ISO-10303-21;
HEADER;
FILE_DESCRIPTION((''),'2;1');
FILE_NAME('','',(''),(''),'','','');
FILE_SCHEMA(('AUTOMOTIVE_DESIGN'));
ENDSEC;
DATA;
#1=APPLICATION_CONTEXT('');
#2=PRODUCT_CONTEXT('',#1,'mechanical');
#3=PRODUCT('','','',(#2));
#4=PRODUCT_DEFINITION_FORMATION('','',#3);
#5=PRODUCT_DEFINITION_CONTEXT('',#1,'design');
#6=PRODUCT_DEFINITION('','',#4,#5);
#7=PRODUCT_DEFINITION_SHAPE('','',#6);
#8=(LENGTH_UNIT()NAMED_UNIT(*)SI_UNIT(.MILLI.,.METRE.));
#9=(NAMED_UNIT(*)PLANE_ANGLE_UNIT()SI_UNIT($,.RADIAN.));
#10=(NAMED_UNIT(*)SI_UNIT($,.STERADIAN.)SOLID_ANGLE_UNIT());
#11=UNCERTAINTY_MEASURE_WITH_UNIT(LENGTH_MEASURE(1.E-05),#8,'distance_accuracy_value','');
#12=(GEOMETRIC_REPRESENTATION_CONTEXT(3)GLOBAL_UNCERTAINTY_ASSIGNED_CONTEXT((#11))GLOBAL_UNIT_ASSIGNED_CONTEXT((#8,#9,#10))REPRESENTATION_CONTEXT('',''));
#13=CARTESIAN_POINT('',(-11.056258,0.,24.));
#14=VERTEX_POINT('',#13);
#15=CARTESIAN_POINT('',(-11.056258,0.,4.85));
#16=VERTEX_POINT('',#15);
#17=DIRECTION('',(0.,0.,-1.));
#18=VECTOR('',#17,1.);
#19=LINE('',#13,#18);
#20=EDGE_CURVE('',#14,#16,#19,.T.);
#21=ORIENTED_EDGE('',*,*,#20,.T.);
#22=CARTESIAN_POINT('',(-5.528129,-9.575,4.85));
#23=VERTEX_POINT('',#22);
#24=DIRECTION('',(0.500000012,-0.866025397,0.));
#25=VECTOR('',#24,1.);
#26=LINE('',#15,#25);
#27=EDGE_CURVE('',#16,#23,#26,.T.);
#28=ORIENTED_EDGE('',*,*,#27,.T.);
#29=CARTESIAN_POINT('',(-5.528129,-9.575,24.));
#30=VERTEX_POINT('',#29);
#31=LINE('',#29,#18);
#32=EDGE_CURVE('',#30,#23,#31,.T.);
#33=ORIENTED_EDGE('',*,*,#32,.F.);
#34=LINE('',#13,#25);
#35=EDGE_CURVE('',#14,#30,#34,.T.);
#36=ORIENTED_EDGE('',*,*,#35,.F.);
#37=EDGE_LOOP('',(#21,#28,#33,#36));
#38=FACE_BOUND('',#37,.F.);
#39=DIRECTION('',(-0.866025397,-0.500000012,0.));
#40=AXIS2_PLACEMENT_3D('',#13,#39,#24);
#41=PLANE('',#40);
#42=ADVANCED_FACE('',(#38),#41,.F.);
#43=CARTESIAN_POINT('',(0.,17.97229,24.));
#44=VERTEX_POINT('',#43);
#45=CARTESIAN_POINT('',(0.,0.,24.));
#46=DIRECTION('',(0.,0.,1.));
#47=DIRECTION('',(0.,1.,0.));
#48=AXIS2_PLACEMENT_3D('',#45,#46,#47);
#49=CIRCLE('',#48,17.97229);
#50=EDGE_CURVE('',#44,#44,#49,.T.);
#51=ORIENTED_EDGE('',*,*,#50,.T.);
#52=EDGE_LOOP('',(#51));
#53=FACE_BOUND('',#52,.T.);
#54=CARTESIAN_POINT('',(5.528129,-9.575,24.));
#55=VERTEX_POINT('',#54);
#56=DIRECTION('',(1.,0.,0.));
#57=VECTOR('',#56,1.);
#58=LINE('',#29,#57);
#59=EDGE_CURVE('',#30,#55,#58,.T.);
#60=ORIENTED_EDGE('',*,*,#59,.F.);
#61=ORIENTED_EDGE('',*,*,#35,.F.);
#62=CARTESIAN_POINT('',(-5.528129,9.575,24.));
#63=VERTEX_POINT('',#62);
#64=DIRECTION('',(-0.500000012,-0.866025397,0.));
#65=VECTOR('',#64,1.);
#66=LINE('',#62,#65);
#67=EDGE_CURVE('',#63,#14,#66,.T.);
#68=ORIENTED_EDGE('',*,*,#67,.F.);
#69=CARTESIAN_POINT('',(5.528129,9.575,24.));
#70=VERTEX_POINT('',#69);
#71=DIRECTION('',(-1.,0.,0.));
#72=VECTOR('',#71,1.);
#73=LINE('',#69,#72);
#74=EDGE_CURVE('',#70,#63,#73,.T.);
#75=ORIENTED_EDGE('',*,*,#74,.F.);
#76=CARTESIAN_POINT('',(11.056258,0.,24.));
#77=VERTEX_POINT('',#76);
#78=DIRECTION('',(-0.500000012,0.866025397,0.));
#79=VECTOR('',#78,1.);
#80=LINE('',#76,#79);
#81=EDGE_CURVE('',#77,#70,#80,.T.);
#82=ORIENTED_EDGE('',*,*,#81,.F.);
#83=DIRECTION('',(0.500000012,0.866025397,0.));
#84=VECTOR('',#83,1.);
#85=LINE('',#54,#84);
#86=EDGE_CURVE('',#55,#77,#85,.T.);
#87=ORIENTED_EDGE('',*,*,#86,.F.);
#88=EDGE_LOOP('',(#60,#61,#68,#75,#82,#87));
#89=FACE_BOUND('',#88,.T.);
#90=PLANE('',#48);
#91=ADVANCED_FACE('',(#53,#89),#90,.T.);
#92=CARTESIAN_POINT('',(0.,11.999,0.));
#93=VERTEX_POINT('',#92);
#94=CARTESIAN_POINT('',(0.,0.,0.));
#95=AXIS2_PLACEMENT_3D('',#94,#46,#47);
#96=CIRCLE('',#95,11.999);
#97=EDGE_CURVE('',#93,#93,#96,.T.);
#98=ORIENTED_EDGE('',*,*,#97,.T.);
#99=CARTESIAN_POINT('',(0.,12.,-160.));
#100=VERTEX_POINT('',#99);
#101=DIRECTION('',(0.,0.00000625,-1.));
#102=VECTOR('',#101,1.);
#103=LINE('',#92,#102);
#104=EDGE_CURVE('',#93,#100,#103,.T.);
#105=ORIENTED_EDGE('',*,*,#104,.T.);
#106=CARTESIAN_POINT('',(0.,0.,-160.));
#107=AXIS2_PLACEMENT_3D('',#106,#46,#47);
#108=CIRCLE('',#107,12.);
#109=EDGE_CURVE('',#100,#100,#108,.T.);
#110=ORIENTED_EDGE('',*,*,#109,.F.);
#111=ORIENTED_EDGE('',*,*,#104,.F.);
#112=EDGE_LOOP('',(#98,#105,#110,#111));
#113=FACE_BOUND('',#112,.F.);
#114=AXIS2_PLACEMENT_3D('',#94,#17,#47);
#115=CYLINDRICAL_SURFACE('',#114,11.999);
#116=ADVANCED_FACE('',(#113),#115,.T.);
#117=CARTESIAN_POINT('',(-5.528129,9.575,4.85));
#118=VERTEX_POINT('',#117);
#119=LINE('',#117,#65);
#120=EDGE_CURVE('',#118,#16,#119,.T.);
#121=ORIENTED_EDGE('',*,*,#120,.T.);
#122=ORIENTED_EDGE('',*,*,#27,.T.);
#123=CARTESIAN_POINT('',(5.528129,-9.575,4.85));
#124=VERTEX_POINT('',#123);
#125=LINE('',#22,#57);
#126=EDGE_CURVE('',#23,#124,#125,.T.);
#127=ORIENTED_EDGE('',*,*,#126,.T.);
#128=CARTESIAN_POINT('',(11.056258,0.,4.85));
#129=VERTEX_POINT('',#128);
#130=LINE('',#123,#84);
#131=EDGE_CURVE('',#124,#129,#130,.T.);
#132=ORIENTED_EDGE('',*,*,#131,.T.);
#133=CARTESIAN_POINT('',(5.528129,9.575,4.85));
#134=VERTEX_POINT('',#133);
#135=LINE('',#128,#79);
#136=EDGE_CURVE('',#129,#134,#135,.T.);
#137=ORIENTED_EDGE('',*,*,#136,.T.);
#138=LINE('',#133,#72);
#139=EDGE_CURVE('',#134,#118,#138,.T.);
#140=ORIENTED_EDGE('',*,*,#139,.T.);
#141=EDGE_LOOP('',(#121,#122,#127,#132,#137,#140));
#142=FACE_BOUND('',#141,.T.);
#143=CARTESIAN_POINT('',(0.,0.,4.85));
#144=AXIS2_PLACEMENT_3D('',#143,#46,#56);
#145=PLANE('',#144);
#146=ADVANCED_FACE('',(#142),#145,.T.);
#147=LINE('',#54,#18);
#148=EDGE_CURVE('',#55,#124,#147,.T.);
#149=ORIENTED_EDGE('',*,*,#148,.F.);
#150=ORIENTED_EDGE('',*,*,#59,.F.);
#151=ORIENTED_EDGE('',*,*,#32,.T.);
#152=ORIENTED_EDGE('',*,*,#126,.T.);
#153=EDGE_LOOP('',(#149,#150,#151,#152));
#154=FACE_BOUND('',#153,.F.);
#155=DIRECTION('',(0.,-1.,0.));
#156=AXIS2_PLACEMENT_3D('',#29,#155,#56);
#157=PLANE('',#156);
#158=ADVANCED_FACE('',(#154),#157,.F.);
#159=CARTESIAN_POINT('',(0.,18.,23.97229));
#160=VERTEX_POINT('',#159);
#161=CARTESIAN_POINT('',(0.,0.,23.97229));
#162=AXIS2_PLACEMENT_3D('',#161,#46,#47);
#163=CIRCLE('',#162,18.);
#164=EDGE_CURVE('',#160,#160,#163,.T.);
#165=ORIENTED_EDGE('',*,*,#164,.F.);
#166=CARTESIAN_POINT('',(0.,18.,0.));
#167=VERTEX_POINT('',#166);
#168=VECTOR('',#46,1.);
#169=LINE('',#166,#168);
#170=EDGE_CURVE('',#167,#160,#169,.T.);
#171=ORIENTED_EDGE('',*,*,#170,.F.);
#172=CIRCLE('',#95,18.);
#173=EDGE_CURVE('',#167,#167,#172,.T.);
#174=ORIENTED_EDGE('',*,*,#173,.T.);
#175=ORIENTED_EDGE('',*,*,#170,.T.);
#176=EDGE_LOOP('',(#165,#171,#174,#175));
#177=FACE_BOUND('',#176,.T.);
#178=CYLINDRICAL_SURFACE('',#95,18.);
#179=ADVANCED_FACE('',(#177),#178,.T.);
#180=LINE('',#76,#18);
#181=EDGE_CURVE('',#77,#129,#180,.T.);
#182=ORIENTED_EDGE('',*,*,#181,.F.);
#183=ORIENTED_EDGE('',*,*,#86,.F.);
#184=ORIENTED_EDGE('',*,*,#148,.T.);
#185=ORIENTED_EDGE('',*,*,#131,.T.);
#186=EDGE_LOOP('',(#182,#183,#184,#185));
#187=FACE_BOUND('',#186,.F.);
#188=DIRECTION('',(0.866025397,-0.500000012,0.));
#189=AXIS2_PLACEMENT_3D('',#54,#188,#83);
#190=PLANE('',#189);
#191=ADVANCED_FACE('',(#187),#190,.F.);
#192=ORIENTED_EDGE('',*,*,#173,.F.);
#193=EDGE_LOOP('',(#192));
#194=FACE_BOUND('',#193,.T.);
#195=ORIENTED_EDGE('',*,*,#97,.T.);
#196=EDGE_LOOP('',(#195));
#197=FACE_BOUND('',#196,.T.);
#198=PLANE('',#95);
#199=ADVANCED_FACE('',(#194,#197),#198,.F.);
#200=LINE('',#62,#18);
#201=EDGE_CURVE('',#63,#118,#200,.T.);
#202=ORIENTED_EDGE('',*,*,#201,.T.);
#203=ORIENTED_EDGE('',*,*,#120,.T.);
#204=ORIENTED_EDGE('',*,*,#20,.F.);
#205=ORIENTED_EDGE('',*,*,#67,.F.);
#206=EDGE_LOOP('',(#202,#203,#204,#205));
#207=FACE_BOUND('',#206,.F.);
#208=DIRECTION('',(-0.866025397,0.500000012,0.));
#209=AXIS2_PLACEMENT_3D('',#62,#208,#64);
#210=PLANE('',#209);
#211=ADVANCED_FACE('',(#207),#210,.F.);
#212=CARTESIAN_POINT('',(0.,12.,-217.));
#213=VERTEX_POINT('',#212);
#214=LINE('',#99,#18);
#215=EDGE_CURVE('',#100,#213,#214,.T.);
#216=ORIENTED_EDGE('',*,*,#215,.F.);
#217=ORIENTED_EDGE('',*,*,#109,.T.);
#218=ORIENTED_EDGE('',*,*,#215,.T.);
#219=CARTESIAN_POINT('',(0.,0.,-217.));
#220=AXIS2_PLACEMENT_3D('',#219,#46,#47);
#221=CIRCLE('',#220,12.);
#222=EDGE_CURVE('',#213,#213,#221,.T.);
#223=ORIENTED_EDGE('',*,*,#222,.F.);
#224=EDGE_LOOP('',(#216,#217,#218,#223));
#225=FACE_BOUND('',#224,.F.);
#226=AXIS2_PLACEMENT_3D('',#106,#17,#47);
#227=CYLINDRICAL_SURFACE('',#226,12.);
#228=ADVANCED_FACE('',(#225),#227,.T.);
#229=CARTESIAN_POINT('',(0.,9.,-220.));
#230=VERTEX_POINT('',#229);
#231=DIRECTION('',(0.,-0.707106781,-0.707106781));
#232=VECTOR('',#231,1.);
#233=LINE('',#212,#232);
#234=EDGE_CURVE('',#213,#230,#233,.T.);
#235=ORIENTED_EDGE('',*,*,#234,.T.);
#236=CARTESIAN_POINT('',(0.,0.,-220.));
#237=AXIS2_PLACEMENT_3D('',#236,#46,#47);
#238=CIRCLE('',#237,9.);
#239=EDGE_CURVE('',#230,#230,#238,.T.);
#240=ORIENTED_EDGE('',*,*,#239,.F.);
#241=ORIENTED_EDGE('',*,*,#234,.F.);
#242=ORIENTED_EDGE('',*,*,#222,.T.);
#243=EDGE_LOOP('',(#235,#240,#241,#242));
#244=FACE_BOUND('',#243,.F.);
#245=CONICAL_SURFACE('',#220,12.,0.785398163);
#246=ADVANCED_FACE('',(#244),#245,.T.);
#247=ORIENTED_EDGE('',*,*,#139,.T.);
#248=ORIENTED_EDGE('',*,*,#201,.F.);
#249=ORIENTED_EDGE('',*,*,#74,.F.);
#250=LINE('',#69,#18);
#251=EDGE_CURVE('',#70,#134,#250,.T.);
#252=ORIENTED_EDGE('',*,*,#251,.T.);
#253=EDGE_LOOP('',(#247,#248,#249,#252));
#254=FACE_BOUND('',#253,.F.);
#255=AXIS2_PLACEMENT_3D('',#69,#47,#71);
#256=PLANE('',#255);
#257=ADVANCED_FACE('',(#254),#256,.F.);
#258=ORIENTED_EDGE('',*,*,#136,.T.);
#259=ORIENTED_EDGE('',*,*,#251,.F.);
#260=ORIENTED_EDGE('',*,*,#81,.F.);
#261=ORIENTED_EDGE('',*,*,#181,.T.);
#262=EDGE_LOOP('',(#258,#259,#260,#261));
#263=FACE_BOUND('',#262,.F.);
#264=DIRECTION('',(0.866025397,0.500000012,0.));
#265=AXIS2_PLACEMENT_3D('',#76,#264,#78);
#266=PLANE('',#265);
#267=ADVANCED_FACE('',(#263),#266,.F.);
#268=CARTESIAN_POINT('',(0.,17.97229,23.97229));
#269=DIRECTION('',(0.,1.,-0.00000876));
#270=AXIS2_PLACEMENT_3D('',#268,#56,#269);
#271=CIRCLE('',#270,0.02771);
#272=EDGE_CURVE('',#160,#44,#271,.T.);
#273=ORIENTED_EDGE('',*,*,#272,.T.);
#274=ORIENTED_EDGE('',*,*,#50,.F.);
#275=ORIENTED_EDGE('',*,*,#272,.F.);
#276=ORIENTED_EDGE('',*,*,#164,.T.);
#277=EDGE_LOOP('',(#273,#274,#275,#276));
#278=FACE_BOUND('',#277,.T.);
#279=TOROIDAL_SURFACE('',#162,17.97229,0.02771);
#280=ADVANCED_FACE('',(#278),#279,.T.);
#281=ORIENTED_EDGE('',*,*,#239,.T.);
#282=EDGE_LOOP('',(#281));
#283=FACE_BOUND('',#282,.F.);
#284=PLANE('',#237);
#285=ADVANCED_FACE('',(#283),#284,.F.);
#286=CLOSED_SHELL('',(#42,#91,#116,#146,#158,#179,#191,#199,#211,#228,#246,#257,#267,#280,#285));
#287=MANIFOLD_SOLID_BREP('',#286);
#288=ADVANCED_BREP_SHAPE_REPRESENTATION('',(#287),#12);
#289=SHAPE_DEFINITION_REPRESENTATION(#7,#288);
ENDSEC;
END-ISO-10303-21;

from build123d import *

# Parameters (mm, degrees)
POCKET_DEPTH = 19.15


with BuildPart() as part:
    # Sketch → Revolve (revolve)
    with BuildSketch(Plane.YZ):
        with BuildLine():
            Line((11.999, 0), (18, 0))
            Line((18, 0), (18, 23.97229))
            ThreePointArc((18, 23.97229), (17.991884, 23.991884), (17.97229, 24))
            Line((17.97229, 24), (0, 24))
            Line((0, -220), (0, 24))
            Line((9, -220), (0, -220))
            Line((12, -217), (9, -220))
            Line((12, -160), (12, -217))
            Line((11.999, 0), (12, -160))
        make_face()
    revolve(axis=Axis((0, 0, 0), (0, 0, 1)))

    # Sketch001 → Pocket (cut)
    with BuildSketch(Plane.XY.offset(24)):
        Polygon((11.056258, 0), (5.528129, 9.575), (-5.528129, 9.575), (-11.056258, 0), (-5.528129, -9.575), (5.528129, -9.575), align=None)
    extrude(amount=-POCKET_DEPTH, mode=Mode.SUBTRACT)


solid = part.part
